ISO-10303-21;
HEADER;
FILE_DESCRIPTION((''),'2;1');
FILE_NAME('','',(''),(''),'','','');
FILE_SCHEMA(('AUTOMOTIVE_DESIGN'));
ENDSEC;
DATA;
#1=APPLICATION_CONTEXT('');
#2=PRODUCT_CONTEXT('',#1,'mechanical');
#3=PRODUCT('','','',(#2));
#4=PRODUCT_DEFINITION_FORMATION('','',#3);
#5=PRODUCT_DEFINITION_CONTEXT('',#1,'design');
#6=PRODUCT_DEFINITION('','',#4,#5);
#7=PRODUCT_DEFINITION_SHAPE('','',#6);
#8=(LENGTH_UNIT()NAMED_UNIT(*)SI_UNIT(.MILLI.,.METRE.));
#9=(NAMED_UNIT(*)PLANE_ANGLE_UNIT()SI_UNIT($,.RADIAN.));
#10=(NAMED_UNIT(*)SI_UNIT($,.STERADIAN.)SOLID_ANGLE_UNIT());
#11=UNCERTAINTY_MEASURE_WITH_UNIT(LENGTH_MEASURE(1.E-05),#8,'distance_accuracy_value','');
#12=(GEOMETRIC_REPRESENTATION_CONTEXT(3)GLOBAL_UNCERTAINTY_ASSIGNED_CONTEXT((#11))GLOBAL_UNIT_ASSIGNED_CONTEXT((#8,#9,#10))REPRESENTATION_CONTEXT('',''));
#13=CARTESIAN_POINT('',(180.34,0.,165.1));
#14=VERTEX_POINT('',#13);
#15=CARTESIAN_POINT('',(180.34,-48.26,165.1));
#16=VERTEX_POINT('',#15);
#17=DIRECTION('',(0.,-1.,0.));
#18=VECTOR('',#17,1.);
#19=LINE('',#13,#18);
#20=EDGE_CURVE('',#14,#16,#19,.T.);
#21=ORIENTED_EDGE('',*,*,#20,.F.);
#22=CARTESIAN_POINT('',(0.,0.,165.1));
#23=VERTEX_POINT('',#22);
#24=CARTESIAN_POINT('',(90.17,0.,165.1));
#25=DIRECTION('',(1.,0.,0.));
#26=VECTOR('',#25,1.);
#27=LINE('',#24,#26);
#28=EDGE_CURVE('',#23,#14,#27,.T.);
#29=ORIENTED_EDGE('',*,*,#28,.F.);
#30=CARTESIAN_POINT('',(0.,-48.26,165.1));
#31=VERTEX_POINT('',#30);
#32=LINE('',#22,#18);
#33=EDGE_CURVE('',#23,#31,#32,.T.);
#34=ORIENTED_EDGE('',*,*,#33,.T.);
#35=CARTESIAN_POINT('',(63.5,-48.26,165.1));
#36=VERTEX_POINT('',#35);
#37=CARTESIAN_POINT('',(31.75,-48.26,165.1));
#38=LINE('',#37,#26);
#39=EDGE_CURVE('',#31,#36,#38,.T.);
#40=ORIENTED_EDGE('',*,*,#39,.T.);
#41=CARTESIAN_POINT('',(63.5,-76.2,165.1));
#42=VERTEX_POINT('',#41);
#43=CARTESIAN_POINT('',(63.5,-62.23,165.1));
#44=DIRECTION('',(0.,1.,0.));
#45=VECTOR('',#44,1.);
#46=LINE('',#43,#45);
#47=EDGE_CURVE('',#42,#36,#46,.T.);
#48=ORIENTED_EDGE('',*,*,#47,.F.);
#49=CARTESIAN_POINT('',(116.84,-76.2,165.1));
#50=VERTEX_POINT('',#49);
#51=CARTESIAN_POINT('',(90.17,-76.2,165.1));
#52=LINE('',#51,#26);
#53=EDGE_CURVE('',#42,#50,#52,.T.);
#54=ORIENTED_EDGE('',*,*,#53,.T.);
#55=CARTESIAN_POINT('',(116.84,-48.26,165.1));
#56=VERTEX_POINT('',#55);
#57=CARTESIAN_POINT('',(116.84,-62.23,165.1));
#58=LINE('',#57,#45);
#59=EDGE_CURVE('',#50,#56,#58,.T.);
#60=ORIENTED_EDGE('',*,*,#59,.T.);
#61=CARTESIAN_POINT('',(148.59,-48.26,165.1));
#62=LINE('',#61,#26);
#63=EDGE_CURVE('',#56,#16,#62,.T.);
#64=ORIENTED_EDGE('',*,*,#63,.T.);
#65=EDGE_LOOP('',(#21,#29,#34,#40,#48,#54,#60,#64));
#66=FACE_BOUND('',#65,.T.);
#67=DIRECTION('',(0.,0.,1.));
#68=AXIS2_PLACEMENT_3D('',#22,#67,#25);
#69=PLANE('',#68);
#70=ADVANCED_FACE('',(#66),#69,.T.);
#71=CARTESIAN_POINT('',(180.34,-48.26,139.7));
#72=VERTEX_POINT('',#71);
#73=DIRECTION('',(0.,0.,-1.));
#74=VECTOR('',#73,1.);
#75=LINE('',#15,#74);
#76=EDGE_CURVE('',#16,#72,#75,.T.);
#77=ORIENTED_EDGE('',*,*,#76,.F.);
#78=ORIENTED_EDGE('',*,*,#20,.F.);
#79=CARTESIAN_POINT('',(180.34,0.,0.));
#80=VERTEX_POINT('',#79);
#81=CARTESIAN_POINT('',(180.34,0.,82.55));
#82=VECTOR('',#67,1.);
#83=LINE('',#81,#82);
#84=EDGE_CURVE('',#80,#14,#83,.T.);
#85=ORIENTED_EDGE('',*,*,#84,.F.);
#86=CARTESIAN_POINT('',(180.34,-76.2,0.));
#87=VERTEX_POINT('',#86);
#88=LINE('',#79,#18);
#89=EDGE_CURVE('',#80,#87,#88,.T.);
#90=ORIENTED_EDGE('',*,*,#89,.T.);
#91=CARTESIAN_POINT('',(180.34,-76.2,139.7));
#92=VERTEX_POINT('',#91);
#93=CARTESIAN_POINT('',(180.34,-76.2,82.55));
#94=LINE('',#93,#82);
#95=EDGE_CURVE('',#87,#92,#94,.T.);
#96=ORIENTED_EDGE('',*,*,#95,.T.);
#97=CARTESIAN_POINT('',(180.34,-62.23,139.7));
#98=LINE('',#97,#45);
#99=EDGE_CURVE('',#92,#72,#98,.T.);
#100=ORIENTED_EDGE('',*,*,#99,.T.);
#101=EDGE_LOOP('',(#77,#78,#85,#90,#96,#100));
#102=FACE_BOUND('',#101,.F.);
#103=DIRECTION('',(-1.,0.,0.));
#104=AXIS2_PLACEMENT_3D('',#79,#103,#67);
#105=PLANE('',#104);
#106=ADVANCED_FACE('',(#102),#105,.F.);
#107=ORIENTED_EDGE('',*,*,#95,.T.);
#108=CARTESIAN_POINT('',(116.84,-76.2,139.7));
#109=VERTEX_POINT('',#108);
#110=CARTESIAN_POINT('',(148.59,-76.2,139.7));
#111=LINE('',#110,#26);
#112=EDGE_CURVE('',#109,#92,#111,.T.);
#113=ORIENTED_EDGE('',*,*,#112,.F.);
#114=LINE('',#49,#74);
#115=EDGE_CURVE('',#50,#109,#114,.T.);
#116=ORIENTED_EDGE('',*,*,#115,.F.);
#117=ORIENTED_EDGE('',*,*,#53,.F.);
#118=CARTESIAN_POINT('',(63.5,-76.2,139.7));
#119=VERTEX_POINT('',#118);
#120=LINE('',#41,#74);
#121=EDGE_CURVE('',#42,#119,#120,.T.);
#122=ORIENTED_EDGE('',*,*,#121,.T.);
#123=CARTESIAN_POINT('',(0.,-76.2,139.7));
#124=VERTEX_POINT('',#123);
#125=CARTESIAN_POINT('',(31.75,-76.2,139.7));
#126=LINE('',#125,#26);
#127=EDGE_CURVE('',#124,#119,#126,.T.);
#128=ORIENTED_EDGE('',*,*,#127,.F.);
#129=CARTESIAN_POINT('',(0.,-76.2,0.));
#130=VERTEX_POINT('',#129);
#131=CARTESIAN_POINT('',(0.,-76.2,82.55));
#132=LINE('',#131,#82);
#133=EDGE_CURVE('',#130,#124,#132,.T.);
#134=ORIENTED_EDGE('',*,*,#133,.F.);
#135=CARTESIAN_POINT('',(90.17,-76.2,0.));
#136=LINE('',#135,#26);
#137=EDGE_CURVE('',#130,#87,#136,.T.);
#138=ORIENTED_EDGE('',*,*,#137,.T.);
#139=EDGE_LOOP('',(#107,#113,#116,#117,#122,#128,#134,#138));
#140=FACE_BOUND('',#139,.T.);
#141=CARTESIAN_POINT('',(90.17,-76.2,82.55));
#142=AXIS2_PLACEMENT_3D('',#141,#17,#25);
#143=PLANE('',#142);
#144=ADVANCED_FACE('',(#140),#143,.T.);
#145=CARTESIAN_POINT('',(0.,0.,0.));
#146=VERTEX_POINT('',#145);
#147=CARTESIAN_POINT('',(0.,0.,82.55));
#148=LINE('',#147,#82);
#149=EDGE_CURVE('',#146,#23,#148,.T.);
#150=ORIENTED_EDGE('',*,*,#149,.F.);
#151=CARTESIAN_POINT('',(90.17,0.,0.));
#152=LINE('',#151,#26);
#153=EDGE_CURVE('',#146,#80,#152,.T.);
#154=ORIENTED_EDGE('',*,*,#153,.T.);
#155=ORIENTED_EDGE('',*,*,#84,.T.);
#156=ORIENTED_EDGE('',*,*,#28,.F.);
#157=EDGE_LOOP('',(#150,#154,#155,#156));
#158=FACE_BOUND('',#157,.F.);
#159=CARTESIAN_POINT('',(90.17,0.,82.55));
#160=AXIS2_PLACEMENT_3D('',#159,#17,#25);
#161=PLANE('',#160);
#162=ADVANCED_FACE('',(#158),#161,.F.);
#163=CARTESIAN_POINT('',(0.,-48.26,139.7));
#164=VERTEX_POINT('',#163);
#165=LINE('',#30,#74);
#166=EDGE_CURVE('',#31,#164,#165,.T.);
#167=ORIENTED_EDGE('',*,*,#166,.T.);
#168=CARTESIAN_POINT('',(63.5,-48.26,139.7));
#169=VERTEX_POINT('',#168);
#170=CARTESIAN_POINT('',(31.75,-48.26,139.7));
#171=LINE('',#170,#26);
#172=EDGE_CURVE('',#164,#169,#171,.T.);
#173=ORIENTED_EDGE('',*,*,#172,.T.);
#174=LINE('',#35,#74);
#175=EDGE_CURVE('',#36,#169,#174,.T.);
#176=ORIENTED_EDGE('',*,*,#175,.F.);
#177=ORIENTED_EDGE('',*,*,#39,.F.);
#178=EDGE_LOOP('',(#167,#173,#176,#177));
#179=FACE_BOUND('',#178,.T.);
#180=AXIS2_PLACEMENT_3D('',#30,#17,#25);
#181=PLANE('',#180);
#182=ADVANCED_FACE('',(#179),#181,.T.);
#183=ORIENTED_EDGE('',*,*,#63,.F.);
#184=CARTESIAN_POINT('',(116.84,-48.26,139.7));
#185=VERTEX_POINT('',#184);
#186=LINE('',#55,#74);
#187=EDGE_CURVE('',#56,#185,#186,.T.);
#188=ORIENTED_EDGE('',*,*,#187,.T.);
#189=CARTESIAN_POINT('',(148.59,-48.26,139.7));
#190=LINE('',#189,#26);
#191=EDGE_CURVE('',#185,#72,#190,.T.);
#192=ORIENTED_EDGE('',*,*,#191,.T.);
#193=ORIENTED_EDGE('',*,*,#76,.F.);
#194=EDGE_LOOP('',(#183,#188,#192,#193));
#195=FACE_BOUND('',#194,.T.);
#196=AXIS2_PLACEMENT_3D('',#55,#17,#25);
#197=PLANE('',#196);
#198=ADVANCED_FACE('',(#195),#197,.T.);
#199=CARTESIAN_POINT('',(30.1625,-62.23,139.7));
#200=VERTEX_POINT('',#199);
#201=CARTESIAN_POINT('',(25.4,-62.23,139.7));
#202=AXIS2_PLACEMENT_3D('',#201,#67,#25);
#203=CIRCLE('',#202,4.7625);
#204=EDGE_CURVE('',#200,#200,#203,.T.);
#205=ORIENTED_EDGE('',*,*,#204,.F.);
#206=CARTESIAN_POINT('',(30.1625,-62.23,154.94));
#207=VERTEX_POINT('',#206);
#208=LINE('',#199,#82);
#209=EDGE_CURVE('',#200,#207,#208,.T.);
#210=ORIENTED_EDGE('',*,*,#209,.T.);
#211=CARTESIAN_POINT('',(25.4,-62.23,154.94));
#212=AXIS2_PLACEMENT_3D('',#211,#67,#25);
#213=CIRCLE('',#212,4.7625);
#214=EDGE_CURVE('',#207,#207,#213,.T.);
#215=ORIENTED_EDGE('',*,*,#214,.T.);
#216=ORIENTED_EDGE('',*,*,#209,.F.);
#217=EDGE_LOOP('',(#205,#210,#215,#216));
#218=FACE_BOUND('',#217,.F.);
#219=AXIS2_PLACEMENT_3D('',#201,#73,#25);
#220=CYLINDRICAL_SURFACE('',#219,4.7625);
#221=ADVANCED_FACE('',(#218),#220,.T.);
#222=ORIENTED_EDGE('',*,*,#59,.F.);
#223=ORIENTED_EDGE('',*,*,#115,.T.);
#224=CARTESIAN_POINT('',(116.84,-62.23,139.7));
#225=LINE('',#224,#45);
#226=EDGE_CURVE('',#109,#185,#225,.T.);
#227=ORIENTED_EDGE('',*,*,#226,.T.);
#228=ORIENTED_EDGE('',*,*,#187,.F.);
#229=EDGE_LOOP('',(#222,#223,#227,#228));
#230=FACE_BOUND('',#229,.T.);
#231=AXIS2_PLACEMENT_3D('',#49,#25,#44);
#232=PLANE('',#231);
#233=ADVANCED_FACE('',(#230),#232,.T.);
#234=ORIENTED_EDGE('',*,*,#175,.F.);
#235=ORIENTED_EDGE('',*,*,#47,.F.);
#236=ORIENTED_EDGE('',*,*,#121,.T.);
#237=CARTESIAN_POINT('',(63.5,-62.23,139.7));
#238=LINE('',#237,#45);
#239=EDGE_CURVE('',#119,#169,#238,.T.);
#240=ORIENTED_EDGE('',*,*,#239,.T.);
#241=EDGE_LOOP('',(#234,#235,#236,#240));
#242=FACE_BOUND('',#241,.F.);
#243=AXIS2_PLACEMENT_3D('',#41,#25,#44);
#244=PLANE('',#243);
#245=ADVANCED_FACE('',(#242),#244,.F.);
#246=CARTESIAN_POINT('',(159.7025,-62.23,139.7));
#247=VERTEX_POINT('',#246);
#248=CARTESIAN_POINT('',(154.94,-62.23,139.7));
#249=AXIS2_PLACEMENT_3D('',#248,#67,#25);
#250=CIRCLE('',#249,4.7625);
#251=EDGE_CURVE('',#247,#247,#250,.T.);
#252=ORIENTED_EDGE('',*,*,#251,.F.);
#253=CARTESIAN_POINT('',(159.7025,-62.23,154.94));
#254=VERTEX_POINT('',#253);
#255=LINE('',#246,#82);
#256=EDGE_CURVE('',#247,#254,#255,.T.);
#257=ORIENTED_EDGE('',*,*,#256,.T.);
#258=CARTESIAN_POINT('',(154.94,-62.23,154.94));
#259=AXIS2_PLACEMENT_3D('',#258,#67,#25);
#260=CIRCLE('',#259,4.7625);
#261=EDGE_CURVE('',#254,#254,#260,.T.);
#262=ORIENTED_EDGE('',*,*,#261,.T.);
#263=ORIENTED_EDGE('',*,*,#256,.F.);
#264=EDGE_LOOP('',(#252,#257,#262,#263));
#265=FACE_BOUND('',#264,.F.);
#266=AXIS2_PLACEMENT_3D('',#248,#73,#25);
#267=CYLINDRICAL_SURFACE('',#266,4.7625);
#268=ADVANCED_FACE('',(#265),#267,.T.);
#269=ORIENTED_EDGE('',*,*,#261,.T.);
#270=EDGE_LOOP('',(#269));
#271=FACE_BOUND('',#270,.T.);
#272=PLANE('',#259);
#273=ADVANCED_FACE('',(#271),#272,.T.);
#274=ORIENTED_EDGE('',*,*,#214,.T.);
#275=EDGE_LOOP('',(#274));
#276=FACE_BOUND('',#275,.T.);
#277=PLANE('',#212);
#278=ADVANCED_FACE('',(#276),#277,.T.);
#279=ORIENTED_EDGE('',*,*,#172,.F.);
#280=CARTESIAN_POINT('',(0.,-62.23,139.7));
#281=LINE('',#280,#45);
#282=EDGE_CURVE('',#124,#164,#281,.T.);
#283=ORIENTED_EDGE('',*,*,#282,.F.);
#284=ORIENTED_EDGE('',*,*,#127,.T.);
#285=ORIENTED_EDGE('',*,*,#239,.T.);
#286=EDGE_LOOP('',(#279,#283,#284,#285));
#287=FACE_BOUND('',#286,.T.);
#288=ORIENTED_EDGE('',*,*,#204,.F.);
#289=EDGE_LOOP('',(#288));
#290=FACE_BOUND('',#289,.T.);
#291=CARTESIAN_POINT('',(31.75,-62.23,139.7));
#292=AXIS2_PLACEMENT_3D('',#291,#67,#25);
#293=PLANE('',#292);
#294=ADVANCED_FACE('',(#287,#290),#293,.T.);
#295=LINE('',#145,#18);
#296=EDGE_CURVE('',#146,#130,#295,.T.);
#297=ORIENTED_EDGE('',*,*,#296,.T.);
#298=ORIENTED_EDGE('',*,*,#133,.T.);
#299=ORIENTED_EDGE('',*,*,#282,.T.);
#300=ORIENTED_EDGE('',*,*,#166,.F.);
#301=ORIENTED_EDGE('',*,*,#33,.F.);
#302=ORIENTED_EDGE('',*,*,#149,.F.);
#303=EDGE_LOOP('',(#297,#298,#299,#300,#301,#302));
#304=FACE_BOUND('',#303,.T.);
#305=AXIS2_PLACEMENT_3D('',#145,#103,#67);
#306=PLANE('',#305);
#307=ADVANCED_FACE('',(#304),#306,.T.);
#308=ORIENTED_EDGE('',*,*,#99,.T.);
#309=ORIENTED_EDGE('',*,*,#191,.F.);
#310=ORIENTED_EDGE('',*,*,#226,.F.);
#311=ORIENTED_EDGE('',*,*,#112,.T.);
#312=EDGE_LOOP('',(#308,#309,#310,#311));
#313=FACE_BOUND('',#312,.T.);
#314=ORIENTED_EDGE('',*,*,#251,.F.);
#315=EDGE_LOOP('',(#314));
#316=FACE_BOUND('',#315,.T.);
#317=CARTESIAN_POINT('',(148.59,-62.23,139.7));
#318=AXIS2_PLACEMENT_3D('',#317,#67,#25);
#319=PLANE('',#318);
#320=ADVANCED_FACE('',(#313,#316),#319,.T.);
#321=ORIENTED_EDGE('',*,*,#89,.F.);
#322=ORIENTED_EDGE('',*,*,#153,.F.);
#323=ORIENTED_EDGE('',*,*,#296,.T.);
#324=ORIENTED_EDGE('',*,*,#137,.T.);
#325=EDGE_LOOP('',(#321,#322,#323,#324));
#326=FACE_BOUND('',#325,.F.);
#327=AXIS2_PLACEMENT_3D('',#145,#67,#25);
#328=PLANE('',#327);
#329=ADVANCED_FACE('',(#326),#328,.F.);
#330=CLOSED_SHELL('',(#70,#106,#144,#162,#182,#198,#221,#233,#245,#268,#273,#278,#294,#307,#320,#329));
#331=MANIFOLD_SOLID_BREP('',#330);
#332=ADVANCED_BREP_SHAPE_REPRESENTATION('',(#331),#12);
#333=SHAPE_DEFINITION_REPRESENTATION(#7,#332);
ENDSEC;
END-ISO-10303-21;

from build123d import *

# Parameters (mm, degrees)
F0_W      = 180.34
F0_H      = 165.1
F1_DEPTH  = 76.2
F2_W      = 63.5
F2_H      = 27.94
F3_DEPTH  = 25.4
F5_W      = 63.5
F5_H      = 27.94
F6_DEPTH  = 25.4
F7_R      = 4.7625
F8_DEPTH  = 15.24
F9_R      = 4.7625
F10_DEPTH = 15.24


with BuildPart() as f1:
    # F0 (on Front) → F1 (new body)
    with BuildSketch(Plane.XZ):
        with Locations((90.17, 82.55)):
            Rectangle(F0_W, F0_H)
    extrude(amount=F1_DEPTH)

    # F2 (on face) → F3 (cut)
    with BuildSketch(Plane.XY.offset(165.1)):
        with Locations((31.75, -62.23)):
            Rectangle(F2_W, F2_H)
    extrude(amount=-F3_DEPTH, mode=Mode.SUBTRACT)

    # F5 (on face) → F6 (cut)
    with BuildSketch(Plane.XY.offset(165.1)):
        with Locations((148.59, -62.23)):
            Rectangle(F5_W, F5_H)
    extrude(amount=-F6_DEPTH, mode=Mode.SUBTRACT)

    # F7 (on face) → F8 (join)
    with BuildSketch(Plane.XY.offset(139.7)):
        with Locations((25.4, -62.23)):
            Circle(F7_R)
    extrude(amount=F8_DEPTH)

    # F9 (on face) → F10 (join)
    with BuildSketch(Plane.XY.offset(139.7)):
        with Locations((154.94, -62.23)):
            Circle(F9_R)
    extrude(amount=F10_DEPTH)


solid = f1.part
